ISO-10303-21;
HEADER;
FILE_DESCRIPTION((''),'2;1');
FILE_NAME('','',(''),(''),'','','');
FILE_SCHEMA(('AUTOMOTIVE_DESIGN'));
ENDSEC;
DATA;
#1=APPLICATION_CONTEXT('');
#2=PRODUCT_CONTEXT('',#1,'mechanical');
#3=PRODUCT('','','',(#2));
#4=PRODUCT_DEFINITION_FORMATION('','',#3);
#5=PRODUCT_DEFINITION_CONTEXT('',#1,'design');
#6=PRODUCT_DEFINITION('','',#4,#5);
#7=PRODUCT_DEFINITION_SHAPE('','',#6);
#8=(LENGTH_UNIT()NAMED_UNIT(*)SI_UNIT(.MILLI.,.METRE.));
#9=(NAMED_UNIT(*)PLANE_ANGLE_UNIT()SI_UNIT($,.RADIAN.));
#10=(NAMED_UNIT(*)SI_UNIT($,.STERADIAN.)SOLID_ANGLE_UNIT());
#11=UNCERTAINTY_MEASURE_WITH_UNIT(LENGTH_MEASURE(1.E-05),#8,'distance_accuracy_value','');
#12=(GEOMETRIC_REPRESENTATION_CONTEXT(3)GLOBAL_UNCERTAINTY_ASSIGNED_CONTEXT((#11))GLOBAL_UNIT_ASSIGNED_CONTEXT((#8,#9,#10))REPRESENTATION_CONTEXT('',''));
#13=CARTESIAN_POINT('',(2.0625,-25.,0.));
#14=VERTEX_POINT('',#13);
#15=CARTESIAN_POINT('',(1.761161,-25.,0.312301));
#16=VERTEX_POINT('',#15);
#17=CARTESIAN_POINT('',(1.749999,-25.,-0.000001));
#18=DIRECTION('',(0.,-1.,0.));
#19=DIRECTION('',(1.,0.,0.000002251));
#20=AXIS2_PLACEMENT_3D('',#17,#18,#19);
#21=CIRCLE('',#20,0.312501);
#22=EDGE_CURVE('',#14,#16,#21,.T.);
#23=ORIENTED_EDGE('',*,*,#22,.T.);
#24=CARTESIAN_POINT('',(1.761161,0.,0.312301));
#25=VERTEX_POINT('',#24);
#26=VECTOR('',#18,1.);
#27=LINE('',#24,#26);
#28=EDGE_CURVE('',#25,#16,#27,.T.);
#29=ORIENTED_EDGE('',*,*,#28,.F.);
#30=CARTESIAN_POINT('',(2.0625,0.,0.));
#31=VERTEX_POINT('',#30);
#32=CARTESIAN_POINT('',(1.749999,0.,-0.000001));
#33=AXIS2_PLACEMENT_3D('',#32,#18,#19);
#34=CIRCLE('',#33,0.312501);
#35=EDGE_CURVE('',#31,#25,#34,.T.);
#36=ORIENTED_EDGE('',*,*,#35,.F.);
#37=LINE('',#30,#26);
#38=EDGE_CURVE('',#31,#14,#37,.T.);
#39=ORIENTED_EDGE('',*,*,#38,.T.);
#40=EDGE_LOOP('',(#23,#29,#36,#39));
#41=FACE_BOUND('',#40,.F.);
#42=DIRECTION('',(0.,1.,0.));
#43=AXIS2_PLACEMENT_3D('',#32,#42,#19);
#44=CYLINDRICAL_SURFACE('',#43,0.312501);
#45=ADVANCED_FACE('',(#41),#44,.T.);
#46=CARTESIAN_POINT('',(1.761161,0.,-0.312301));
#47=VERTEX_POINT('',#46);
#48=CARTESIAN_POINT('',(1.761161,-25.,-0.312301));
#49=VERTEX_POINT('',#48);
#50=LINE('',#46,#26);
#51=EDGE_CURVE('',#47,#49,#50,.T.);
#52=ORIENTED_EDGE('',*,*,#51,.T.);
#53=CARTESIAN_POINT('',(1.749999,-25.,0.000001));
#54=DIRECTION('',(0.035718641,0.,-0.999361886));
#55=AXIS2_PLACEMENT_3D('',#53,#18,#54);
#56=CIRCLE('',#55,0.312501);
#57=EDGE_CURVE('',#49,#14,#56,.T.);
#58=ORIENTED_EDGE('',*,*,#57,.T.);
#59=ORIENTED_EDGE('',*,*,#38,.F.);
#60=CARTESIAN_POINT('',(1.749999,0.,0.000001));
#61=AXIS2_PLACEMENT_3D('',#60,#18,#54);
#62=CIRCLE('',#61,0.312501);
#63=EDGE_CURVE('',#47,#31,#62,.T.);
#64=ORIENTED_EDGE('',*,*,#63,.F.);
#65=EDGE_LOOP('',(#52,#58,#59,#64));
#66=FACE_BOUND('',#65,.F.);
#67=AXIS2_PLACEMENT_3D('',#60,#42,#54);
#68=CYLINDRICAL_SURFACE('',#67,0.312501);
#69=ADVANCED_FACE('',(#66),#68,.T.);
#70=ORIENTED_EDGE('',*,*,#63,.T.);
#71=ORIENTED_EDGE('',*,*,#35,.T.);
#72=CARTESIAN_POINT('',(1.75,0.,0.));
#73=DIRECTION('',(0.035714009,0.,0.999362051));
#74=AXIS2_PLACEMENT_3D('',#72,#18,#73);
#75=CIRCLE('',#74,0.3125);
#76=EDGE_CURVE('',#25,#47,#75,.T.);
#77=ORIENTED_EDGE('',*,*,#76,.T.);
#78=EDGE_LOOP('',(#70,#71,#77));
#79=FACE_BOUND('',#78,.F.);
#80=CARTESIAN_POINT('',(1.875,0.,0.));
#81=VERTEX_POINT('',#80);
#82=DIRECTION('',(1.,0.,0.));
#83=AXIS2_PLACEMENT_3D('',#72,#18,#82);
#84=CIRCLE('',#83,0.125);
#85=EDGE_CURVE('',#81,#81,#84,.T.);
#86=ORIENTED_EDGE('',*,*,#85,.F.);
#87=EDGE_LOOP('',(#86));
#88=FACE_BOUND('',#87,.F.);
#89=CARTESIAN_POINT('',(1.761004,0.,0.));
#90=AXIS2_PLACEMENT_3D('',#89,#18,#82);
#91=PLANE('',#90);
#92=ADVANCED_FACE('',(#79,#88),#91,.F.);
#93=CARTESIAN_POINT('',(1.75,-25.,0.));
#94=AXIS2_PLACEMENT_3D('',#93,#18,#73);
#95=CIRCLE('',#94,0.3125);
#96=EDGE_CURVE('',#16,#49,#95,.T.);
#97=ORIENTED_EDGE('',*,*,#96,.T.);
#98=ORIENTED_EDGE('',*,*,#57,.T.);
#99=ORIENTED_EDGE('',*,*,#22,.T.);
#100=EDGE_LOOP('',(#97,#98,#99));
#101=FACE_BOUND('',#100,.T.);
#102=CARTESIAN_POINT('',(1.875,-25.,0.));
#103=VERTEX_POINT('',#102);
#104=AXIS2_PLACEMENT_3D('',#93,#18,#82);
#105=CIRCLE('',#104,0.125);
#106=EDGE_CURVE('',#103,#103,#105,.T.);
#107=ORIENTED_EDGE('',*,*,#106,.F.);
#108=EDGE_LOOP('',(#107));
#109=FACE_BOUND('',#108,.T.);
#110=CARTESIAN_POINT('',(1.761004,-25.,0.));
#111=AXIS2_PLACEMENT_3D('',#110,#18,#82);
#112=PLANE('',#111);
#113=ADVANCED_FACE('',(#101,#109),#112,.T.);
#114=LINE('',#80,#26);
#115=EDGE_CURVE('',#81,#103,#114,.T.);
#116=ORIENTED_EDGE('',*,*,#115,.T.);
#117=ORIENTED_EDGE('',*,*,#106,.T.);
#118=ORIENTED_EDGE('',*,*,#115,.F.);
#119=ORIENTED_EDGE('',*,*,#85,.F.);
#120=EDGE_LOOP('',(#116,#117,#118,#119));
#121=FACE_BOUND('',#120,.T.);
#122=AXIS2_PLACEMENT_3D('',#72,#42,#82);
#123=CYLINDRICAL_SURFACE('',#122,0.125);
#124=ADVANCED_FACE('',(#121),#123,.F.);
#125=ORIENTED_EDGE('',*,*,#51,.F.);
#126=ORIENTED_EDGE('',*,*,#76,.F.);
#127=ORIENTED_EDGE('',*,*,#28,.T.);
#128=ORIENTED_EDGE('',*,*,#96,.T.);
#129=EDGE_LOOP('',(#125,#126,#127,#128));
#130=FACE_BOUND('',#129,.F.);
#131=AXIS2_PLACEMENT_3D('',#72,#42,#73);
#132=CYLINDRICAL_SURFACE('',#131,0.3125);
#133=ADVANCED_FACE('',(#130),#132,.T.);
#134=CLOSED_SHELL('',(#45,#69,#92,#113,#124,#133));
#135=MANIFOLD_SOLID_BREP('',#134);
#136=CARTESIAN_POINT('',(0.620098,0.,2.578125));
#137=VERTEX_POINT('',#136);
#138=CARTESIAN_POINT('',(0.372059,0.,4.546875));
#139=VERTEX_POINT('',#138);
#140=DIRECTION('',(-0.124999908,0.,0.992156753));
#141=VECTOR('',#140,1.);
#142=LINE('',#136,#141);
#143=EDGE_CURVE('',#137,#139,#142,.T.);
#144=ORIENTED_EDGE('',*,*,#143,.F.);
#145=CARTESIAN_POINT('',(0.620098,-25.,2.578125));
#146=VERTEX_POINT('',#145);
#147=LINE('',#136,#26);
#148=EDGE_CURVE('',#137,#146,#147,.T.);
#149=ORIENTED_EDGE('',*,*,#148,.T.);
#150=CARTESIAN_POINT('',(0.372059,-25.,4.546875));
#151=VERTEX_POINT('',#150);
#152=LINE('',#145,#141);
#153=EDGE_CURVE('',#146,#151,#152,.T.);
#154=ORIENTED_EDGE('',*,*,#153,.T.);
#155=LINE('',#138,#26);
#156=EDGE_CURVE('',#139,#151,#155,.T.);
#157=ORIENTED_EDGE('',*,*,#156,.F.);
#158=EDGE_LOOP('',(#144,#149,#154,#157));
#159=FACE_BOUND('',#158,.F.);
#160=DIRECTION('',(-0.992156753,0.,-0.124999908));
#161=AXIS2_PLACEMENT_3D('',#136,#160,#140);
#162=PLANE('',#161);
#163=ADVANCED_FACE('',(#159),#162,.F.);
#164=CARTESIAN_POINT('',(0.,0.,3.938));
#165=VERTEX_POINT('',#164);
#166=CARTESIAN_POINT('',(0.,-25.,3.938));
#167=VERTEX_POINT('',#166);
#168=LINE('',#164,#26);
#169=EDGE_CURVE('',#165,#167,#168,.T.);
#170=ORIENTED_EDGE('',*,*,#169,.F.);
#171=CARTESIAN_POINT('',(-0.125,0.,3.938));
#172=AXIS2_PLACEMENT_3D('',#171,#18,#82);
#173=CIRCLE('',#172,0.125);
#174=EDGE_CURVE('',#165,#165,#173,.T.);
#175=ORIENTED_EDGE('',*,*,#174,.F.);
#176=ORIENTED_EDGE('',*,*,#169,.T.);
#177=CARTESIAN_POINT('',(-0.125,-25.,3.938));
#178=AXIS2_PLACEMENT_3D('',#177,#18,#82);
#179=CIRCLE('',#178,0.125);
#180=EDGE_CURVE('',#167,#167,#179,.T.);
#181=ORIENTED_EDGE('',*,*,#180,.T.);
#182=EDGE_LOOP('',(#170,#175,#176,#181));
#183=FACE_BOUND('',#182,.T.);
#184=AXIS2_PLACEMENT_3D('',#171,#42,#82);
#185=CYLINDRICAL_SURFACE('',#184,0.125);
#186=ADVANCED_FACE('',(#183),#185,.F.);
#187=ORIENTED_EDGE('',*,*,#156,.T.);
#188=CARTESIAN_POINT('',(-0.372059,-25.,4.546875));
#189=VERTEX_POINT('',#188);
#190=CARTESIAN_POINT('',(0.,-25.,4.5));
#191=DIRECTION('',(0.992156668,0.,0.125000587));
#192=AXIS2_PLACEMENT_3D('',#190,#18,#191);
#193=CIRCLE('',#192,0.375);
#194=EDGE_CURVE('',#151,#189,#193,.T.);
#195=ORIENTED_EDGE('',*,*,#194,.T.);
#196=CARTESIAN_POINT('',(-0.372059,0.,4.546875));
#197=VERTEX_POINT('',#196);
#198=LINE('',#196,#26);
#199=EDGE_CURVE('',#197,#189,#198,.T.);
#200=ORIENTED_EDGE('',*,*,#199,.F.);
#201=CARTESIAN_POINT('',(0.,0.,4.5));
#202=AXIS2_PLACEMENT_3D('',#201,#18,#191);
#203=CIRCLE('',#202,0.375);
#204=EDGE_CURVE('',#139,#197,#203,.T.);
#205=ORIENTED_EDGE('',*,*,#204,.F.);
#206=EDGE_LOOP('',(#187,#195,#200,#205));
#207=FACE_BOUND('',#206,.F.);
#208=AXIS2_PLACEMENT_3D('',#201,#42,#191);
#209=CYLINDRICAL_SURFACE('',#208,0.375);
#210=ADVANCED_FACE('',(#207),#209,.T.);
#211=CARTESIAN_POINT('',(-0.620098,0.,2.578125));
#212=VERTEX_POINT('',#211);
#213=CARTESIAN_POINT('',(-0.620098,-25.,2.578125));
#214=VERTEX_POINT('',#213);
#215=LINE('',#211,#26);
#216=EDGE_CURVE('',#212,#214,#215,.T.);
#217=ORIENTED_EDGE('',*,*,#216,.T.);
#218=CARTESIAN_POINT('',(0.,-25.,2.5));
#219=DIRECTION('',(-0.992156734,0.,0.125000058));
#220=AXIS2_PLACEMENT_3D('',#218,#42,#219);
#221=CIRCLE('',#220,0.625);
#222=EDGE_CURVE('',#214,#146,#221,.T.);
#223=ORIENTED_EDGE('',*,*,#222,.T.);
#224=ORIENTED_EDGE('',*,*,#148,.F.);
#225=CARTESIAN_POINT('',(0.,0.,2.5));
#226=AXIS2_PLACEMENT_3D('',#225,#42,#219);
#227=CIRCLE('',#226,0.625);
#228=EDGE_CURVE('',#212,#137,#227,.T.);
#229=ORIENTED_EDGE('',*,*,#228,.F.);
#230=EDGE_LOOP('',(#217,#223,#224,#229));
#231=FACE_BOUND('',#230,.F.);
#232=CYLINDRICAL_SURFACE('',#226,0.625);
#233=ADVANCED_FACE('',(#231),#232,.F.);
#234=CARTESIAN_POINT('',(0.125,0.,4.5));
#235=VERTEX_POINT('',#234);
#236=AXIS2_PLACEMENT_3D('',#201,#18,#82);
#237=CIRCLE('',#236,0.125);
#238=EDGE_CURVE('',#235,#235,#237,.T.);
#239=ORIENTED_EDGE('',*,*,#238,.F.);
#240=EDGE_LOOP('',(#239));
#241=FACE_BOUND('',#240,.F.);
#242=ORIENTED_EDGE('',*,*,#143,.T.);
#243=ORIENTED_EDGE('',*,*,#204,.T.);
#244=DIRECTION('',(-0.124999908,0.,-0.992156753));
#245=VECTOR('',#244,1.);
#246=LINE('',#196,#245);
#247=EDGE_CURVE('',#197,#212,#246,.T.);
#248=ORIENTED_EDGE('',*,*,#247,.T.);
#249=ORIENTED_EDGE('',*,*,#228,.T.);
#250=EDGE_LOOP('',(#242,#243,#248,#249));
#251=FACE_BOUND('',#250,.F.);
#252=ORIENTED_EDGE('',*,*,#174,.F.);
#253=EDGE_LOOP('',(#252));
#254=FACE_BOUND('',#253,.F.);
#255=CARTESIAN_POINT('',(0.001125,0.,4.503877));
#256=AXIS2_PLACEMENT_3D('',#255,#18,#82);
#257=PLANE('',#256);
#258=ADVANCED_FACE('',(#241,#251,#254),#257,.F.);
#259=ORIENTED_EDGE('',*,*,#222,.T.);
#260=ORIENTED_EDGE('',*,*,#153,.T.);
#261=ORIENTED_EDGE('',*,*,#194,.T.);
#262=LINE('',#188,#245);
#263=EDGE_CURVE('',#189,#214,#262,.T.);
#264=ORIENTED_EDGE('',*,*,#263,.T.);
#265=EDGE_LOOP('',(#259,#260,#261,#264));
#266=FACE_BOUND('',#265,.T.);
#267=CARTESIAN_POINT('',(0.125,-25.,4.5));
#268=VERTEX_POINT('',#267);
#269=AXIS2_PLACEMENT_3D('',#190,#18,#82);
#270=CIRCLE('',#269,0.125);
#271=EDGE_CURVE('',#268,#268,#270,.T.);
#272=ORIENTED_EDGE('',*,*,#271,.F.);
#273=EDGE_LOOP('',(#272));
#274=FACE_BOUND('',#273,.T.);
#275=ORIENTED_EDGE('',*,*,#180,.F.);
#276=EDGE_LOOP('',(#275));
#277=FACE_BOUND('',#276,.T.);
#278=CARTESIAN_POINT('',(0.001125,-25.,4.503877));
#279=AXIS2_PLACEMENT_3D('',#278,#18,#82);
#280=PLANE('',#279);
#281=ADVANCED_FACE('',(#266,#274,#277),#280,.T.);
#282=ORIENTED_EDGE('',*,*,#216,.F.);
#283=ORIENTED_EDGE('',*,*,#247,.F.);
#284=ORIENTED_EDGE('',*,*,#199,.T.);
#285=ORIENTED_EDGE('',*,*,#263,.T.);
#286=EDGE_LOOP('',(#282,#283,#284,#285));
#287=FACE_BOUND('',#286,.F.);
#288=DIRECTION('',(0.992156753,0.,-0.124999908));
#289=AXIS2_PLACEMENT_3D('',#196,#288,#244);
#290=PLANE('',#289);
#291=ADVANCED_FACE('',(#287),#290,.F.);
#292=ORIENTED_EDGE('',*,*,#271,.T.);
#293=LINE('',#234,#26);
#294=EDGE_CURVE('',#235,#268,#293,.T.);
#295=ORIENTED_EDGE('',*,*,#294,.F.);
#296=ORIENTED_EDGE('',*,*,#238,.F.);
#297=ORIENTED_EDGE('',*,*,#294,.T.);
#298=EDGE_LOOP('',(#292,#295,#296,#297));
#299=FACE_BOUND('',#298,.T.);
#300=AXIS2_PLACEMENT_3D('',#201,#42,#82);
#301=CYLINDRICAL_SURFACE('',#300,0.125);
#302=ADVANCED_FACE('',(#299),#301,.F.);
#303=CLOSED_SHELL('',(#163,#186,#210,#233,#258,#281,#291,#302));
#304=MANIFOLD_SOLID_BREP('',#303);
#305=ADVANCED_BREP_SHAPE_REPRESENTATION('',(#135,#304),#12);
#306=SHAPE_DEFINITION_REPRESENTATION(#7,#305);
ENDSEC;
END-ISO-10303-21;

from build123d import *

# Parameters (mm, degrees)
F0_R     = 0.125
F1_DEPTH = 25


with BuildPart() as f1:
    # F0 (on Front) → F1 (new body)
    with BuildSketch(Plane.XZ):
        with BuildLine():
            ThreePointArc((-0.372059, 4.546875), (-0.023484, 4.125736), (0.375, 4.5))
            ThreePointArc((0.375, 4.5), (0.374264, 4.523484), (0.372059, 4.546875))
            ThreePointArc((0.372059, 4.546875), (0, 4.875), (-0.372059, 4.546875))
        make_face()
        with Locations((0, 4.5)):
            Circle(F0_R, mode=Mode.SUBTRACT)
        with BuildLine():
            ThreePointArc((0.372059, 4.546875), (0.374264, 4.523484), (0.375, 4.5))
            ThreePointArc((0.375, 4.5), (-0.023484, 4.125736), (-0.372059, 4.546875))
            Line((-0.372059, 4.546875), (-0.620098, 2.578125))
            ThreePointArc((-0.620098, 2.578125), (0, 3.125), (0.620098, 2.578125))
            Line((0.620098, 2.578125), (0.372059, 4.546875))
        make_face()
        with Locations((-0.125, 3.938)):
            Circle(F0_R, mode=Mode.SUBTRACT)
        with BuildLine():
            ThreePointArc((1.761161, 0.312301), (1.4375, 0), (1.761161, -0.312301))
            ThreePointArc((1.761161, -0.312301), (1.974882, -0.216989), (2.0625, 0))
            ThreePointArc((2.0625, 0), (1.974882, 0.216989), (1.761161, 0.312301))
        make_face()
        with Locations((1.75, 0)):
            Circle(F0_R, mode=Mode.SUBTRACT)
    extrude(amount=F1_DEPTH)


solid = f1.part
